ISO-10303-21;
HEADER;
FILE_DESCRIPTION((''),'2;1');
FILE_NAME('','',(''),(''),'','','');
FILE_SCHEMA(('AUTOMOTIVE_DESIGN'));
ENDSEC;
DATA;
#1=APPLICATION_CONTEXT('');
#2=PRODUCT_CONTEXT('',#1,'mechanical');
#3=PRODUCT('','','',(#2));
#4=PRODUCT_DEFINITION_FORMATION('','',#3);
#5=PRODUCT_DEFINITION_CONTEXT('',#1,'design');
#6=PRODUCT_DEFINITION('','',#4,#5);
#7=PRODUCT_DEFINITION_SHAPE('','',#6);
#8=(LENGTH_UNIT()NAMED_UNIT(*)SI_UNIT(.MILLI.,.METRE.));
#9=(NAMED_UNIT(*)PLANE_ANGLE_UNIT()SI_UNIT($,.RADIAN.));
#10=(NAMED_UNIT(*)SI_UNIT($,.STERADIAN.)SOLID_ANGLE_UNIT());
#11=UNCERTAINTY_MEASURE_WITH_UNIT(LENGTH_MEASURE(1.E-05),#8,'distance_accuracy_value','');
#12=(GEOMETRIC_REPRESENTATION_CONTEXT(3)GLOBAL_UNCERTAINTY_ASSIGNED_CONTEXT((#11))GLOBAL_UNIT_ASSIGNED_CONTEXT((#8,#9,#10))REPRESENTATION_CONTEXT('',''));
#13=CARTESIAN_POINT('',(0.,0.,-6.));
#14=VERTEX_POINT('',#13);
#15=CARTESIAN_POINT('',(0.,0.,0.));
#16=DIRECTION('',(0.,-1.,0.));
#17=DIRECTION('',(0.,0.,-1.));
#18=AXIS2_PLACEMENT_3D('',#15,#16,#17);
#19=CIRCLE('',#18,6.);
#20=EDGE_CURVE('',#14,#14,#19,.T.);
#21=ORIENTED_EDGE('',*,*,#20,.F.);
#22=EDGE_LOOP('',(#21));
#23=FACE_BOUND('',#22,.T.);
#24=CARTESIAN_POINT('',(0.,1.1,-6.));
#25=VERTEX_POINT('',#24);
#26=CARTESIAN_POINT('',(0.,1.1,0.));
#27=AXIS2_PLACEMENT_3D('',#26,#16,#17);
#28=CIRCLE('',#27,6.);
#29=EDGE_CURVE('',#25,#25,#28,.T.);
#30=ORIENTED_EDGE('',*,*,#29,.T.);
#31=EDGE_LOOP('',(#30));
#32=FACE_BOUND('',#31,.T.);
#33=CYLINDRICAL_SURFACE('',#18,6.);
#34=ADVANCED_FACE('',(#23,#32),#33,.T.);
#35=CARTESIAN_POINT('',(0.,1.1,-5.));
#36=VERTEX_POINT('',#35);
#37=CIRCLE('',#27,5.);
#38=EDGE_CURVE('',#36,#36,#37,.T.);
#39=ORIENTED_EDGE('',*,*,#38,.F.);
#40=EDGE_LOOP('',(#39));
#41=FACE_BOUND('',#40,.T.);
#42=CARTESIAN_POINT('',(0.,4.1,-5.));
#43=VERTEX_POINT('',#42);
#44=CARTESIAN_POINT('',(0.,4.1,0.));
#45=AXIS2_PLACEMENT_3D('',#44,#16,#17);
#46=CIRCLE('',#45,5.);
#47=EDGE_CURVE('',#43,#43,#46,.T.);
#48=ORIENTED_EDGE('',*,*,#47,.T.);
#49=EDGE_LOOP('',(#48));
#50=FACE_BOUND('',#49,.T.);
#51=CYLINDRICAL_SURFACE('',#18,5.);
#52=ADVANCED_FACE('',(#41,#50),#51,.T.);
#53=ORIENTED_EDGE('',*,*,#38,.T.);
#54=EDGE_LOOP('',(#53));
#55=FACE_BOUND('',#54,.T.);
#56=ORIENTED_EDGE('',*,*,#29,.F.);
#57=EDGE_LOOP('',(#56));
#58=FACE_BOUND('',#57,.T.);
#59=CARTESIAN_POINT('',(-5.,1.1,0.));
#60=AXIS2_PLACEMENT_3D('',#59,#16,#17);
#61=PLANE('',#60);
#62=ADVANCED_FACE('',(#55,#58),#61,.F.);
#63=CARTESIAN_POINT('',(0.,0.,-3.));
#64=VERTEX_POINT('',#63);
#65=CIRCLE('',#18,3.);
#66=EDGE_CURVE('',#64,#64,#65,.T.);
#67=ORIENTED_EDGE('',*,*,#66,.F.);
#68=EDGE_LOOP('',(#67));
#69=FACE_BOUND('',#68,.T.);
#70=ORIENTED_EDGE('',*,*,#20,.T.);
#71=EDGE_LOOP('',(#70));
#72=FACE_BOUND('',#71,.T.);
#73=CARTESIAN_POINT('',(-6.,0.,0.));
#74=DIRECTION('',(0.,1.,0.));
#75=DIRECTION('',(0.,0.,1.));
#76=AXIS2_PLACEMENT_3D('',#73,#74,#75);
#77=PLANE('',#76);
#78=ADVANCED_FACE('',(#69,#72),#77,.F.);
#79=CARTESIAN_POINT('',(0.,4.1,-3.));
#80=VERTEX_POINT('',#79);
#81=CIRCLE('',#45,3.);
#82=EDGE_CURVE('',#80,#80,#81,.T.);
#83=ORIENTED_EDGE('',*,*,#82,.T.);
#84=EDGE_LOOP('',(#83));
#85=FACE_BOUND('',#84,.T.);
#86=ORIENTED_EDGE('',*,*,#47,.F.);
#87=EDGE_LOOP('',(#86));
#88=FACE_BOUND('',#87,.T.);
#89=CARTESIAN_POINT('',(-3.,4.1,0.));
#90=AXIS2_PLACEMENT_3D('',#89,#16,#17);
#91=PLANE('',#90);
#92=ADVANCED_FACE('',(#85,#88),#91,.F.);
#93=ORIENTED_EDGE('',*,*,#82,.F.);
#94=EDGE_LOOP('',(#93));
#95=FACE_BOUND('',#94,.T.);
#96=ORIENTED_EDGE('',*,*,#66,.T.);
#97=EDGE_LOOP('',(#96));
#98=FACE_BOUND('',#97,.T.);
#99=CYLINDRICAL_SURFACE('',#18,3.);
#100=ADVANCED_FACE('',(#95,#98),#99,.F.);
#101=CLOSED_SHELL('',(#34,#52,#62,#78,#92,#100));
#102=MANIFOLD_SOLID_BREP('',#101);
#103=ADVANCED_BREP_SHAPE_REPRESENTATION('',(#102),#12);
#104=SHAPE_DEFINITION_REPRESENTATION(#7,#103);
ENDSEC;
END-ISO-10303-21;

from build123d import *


with BuildPart() as part:
    # Sketch1 → Revolve1 (revolve)
    with BuildSketch(Plane.XY):
        Polygon((-6, 0), (-3, 0), (-3, 4.1), (-5, 4.1), (-5, 1.1), (-6, 1.1), align=None)
    revolve(axis=Axis((0, 0, 0), (0, 1, 0)))


solid = part.part
